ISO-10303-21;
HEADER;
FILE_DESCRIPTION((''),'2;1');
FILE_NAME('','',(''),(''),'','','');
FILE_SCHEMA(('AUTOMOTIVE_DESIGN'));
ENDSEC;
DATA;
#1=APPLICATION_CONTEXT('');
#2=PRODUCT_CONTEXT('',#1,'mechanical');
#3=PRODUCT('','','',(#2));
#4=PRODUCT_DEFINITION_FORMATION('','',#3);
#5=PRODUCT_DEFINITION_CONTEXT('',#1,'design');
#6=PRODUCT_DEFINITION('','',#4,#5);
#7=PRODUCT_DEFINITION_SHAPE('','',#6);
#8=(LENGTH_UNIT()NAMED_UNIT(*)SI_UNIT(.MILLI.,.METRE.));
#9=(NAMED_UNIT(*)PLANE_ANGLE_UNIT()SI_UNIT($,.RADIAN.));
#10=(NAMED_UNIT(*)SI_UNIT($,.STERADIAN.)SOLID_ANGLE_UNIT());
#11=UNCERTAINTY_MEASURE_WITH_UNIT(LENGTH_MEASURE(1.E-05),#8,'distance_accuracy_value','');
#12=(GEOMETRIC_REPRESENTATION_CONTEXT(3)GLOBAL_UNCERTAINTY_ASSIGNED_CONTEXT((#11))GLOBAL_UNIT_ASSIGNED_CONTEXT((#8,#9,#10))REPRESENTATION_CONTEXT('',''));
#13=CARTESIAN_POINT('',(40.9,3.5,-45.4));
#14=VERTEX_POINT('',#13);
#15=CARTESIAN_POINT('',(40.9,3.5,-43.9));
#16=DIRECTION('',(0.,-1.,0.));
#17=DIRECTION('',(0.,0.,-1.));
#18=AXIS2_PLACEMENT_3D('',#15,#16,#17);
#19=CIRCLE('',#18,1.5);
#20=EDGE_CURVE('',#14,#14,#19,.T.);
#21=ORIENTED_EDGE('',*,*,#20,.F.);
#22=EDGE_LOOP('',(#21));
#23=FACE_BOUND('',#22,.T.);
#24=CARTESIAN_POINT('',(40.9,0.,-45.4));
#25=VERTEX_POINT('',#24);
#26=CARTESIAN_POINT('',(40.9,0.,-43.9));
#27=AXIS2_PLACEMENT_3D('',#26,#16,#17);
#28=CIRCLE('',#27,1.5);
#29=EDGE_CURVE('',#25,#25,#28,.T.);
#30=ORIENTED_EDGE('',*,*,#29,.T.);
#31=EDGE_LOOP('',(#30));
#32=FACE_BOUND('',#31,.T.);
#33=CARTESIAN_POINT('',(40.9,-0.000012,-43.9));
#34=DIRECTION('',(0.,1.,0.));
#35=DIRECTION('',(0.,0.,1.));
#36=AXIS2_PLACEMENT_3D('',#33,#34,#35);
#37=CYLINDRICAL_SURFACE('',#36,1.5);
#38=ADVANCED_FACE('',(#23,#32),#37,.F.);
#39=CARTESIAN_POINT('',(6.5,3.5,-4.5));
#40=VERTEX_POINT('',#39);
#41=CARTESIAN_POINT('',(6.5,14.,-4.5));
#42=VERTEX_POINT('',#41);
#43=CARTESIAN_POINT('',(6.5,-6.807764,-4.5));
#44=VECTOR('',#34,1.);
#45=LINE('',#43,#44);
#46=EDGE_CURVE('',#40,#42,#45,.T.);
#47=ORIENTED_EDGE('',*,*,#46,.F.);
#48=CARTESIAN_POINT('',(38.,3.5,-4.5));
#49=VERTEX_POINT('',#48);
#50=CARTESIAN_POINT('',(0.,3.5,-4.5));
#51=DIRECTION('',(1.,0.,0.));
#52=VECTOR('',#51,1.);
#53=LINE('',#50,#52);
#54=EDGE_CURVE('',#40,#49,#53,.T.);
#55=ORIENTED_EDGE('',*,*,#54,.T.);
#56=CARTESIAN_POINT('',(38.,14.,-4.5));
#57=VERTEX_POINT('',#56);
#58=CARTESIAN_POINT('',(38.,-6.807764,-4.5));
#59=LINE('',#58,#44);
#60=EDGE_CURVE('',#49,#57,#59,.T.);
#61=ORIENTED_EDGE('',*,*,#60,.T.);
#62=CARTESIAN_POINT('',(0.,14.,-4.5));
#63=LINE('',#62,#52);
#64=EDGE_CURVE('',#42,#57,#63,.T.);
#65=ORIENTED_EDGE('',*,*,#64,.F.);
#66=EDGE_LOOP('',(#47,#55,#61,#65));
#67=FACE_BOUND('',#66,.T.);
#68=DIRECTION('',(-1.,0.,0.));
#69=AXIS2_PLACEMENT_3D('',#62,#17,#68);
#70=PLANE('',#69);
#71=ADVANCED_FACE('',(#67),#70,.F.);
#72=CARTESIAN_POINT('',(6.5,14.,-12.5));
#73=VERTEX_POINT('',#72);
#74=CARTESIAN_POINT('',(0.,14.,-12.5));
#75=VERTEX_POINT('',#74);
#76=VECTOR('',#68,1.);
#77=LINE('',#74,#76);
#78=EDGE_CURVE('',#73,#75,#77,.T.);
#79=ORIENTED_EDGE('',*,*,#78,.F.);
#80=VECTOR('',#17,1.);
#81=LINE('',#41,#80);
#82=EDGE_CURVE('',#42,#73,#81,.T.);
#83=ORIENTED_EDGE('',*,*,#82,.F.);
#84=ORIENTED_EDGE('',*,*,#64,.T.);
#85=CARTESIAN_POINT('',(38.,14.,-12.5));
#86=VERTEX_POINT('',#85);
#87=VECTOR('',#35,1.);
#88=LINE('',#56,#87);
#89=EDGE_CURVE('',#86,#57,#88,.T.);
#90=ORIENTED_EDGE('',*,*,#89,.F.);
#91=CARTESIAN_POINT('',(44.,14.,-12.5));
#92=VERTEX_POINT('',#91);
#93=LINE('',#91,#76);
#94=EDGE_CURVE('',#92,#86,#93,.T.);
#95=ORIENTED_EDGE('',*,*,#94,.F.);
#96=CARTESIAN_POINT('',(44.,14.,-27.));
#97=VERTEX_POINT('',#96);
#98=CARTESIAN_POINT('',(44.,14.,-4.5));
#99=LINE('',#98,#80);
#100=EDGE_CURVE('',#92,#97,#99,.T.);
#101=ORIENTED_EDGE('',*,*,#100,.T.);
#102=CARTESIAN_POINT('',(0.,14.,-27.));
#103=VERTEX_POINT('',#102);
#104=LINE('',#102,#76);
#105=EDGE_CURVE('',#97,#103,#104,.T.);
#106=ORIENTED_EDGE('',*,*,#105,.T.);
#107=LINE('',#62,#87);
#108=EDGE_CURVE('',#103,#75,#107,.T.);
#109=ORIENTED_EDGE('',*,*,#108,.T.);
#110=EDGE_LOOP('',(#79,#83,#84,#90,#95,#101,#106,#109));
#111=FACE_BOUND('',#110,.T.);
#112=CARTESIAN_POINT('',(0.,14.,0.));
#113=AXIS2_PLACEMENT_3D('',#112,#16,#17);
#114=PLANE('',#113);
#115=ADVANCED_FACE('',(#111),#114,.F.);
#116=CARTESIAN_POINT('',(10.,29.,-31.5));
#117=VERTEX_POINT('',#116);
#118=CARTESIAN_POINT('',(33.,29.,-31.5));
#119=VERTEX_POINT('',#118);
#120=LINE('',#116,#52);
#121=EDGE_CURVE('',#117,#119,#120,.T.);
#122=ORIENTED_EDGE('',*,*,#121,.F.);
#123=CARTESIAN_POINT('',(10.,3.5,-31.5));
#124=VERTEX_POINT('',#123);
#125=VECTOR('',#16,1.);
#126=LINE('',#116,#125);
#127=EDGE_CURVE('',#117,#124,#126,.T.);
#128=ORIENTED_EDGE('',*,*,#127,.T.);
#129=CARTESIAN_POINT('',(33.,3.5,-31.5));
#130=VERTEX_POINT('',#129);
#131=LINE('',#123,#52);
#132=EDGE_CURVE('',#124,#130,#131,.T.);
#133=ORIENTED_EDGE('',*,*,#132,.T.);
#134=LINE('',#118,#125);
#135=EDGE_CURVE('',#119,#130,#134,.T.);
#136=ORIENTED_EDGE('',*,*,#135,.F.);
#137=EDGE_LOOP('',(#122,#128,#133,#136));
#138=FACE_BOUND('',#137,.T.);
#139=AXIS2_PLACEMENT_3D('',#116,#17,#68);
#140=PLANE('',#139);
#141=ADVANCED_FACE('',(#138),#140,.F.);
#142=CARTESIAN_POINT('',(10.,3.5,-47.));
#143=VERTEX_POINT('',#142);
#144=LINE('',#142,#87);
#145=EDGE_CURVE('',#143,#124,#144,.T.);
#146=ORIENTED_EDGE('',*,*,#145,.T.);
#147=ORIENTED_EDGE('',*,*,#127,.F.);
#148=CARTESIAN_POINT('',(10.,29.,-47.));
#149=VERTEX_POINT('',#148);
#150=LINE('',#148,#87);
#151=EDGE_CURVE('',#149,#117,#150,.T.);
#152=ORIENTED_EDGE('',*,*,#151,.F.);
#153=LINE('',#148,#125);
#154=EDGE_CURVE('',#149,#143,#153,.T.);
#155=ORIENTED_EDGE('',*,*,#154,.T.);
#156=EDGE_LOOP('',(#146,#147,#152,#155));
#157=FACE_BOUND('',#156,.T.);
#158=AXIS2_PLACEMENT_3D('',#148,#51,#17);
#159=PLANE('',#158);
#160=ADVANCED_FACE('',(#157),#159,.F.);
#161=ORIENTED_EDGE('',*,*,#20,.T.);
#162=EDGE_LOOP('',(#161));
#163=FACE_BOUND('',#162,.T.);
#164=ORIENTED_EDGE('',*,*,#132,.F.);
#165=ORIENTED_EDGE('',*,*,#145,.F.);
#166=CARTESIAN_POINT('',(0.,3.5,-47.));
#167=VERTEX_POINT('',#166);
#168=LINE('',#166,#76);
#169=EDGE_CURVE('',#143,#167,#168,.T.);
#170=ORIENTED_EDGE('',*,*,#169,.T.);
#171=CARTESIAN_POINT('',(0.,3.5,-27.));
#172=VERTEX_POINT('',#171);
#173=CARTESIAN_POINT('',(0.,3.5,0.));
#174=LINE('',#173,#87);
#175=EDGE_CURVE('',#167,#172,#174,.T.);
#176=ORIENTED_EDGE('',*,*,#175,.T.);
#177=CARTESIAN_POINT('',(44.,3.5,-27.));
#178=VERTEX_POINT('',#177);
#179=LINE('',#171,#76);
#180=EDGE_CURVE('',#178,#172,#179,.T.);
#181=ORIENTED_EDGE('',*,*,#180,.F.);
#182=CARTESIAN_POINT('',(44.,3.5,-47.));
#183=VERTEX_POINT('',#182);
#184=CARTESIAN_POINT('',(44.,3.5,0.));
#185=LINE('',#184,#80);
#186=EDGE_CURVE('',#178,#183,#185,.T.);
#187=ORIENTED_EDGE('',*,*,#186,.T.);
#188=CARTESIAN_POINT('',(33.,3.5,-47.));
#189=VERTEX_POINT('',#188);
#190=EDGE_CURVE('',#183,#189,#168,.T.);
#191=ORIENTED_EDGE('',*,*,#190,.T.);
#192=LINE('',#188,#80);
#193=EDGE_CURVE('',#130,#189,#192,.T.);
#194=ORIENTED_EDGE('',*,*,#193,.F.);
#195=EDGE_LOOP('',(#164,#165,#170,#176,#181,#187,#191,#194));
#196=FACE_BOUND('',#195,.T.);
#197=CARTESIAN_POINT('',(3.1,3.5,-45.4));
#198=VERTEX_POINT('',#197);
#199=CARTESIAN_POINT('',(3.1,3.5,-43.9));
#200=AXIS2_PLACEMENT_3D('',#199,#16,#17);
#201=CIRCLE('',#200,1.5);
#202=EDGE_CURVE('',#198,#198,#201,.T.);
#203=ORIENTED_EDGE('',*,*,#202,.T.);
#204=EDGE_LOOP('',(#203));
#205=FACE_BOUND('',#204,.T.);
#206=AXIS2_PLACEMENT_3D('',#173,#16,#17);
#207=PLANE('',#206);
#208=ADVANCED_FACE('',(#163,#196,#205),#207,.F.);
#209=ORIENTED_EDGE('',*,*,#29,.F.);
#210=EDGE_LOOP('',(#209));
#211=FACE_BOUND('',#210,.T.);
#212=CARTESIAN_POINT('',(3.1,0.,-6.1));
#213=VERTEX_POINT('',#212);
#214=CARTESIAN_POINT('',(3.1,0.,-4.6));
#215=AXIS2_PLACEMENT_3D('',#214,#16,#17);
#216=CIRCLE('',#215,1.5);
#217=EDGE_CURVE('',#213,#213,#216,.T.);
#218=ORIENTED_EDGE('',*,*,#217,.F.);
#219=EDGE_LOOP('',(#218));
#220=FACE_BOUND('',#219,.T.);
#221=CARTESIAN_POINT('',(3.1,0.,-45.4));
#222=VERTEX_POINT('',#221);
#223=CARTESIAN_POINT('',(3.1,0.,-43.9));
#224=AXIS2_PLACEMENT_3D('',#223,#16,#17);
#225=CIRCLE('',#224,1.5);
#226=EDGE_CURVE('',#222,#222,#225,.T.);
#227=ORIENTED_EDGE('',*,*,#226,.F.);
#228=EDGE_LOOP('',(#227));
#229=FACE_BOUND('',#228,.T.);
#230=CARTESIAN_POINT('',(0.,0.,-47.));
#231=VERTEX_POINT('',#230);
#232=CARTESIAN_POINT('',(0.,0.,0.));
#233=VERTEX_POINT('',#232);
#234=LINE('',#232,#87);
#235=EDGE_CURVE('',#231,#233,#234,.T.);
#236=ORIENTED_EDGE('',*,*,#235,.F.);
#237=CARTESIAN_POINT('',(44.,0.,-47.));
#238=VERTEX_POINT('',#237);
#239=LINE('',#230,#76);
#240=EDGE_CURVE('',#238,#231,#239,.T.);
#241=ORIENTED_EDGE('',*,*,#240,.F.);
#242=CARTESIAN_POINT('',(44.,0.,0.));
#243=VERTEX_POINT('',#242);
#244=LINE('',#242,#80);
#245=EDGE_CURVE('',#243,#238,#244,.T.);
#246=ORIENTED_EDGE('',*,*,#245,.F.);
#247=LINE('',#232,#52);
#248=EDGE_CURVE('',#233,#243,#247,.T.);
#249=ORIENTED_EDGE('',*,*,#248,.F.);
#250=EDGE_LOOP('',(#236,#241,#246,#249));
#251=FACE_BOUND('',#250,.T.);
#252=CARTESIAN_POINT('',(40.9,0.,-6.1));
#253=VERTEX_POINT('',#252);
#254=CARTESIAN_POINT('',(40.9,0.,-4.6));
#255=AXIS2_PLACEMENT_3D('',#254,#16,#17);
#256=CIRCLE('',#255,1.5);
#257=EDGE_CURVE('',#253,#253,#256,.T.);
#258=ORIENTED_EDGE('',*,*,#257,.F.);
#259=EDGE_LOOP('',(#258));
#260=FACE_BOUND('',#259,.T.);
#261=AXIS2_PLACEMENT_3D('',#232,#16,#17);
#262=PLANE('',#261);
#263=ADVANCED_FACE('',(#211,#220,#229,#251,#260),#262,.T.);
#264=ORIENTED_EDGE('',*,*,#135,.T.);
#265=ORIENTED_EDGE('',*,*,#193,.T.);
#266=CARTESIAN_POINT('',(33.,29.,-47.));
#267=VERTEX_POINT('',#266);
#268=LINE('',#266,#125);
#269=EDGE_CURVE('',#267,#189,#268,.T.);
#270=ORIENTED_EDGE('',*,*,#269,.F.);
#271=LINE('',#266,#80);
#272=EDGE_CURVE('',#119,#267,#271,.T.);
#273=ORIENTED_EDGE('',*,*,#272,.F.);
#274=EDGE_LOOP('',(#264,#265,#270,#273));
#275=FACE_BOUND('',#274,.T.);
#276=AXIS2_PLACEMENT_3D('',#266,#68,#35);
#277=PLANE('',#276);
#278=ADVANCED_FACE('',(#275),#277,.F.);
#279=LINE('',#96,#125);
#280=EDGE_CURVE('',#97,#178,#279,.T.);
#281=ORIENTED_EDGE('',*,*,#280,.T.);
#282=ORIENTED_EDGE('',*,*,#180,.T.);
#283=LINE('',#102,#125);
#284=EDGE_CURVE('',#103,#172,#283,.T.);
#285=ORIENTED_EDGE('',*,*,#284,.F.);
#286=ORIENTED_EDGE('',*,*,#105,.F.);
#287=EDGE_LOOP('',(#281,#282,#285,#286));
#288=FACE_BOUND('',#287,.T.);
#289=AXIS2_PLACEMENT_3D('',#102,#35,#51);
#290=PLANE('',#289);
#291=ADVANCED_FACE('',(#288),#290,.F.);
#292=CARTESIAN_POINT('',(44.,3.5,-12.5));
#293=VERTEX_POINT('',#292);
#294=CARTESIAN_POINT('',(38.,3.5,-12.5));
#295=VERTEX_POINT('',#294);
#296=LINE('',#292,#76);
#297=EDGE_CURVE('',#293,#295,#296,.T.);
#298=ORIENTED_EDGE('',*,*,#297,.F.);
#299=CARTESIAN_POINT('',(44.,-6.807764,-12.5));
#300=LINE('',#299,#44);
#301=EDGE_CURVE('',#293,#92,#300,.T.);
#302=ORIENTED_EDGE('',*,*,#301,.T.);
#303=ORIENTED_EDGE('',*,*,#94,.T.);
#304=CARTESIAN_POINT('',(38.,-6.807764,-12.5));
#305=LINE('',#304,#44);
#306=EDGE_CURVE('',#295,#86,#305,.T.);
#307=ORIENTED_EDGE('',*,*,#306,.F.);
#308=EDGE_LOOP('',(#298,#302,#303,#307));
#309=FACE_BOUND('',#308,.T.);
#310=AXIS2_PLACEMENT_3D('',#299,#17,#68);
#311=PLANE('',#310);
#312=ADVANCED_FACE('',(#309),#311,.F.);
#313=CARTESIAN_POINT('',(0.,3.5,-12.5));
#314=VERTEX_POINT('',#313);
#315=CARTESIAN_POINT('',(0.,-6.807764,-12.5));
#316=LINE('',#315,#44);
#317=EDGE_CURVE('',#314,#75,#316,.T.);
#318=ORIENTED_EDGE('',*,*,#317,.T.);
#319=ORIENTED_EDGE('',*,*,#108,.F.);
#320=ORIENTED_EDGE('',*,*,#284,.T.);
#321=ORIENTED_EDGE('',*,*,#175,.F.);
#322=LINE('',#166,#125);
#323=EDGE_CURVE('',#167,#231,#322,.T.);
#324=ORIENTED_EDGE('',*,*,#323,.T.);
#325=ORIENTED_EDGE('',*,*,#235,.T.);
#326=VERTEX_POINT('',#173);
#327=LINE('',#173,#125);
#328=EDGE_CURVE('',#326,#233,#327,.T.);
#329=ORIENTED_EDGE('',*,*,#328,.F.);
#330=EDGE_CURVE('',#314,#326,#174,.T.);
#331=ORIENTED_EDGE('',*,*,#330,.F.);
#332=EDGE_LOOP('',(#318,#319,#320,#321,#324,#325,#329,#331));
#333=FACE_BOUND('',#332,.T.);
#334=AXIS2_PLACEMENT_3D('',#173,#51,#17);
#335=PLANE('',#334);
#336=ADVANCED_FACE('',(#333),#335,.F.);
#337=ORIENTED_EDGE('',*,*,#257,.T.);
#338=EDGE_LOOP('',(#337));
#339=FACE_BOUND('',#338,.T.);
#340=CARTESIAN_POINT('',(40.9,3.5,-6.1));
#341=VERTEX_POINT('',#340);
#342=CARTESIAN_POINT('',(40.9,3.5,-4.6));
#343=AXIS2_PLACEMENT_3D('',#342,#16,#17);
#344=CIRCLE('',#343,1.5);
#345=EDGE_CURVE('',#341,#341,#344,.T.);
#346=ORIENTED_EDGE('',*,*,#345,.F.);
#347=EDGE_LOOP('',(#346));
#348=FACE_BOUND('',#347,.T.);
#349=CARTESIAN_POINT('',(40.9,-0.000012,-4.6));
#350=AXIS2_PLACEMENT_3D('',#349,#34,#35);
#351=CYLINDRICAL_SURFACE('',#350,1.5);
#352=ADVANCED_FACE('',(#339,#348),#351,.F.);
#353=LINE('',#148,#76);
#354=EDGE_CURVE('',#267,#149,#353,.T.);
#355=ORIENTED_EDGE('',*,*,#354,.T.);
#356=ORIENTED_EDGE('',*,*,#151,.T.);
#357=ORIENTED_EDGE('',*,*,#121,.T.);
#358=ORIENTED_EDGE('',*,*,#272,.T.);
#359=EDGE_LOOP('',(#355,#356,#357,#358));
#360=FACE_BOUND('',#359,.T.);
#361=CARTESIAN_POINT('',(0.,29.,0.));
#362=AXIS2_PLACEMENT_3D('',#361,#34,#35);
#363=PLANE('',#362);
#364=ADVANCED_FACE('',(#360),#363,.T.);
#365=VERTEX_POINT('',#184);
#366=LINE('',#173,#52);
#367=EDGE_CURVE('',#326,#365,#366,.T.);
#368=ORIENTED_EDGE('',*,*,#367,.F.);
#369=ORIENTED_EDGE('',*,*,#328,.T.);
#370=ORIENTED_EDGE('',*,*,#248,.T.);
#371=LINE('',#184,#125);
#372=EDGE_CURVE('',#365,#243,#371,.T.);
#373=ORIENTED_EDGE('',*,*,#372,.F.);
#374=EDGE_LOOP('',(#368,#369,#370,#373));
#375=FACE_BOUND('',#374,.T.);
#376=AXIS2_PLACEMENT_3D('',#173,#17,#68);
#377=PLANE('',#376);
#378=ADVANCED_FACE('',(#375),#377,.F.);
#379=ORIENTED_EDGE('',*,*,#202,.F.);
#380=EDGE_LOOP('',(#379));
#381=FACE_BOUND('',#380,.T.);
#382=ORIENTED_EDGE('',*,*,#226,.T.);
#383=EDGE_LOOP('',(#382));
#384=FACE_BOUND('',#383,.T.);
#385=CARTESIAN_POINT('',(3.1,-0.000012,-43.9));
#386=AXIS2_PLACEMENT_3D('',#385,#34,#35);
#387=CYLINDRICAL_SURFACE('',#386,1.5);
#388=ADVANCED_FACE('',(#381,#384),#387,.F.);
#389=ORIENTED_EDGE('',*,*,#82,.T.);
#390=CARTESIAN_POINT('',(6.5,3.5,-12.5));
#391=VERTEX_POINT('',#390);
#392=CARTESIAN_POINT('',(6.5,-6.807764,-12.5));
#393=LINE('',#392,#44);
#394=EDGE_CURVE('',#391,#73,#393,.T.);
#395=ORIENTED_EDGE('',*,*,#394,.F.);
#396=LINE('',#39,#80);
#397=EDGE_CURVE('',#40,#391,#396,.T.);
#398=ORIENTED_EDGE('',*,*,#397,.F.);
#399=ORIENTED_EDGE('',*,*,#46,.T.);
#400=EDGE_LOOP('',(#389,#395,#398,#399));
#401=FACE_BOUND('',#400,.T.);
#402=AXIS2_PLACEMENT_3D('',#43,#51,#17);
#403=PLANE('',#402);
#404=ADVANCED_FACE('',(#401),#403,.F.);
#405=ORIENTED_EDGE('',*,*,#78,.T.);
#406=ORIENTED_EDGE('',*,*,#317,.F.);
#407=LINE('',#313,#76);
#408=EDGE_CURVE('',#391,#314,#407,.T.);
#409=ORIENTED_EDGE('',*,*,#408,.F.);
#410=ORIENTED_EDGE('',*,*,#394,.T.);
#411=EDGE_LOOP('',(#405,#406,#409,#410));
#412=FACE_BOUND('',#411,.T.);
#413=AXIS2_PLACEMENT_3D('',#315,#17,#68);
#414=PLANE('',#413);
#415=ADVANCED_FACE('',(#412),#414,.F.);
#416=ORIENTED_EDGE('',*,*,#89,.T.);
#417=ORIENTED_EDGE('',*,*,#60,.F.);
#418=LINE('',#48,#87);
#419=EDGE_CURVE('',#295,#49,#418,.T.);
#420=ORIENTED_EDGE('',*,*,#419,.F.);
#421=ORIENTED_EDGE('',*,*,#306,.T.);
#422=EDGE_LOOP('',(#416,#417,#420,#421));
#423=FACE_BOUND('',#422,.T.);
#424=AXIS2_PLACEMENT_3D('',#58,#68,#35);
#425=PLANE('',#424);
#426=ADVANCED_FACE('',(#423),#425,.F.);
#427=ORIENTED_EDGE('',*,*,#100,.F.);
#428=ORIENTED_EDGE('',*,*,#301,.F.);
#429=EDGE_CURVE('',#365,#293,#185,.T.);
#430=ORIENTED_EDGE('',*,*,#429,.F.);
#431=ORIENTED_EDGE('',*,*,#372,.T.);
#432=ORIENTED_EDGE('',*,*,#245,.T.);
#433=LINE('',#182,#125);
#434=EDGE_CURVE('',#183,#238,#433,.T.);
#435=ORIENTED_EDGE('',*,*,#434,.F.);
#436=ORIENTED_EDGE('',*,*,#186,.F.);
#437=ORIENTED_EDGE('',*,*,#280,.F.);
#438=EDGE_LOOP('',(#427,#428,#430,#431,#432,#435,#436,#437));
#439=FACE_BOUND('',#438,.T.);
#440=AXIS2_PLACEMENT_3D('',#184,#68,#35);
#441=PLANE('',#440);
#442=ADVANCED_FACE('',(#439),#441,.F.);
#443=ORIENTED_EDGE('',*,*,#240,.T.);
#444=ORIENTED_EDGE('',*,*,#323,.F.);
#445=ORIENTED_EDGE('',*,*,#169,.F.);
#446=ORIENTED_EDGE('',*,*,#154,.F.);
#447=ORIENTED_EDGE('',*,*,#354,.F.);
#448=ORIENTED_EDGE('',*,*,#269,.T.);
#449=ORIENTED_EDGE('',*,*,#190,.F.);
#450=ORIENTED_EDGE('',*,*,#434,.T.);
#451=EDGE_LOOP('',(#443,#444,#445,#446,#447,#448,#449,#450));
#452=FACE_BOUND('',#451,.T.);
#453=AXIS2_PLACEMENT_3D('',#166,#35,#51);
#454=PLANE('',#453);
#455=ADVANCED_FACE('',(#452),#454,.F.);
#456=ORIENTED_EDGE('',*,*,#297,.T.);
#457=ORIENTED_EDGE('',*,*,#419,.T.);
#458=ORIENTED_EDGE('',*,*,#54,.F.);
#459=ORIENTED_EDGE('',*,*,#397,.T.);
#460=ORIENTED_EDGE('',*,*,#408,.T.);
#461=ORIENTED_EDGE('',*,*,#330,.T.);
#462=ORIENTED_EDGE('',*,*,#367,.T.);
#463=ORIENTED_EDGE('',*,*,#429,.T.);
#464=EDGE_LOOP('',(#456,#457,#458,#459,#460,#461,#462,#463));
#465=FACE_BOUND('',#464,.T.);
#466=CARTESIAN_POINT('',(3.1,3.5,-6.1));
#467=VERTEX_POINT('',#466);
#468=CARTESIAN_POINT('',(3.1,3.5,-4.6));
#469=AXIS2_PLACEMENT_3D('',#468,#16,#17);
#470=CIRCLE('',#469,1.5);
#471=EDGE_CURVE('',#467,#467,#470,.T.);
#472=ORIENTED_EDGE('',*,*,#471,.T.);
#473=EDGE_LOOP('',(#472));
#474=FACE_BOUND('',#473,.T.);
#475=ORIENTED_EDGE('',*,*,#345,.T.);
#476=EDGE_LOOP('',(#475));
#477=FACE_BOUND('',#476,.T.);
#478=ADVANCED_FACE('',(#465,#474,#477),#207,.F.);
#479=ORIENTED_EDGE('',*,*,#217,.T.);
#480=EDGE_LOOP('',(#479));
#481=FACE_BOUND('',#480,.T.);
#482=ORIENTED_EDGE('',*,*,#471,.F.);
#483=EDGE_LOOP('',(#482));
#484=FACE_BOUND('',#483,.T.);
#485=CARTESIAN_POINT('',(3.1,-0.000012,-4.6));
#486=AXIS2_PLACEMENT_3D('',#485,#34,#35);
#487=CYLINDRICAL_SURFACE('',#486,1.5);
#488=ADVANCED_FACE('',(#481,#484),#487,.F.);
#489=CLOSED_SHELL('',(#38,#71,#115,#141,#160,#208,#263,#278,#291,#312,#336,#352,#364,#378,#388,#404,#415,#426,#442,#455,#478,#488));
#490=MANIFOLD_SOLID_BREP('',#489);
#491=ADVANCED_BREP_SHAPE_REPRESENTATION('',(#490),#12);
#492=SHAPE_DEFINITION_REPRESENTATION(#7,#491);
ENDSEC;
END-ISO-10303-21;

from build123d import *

# Parameters (mm, degrees)
SKETCH2_W               = 44
SKETCH2_H               = 47
BOSS_EXTRUDE1_DEPTH     = 3.5
SKETCH3_W               = 44
SKETCH3_H               = 22.5
BOSS_EXTRUDE2_DEPTH     = 10.5
SKETCH4_W               = 23
SKETCH4_H               = 15.5
BOSS_EXTRUDE3_DEPTH     = 25.5
SKETCH5_W               = 6.5
SKETCH5_H               = 8
SKETCH5_W_2             = 6
CUT_EXTRUDE1_DEPTH      = 10.5
SKETCH6_R               = 1.5
CUT_EXTRUDE3_DEPTH      = 30
CUT_EXTRUDE3_DEPTH_BACK = 1


with BuildPart() as part:
    # Sketch2 → Boss-Extrude1 (new body)
    with BuildSketch(Plane(origin=(0, 0, 0), x_dir=(1, 0, 0), z_dir=(0, 1, 0))):
        with Locations((22, 23.5)):
            Rectangle(SKETCH2_W, SKETCH2_H)
    extrude(amount=BOSS_EXTRUDE1_DEPTH)

    # Sketch3 → Boss-Extrude2 (add)
    with BuildSketch(Plane(origin=(0, 3.5, 0), x_dir=(1, 0, 0), z_dir=(0, 1, 0))):
        with Locations((22, 15.75)):
            Rectangle(SKETCH3_W, SKETCH3_H)
    extrude(amount=BOSS_EXTRUDE2_DEPTH)

    # Sketch4 → Boss-Extrude3 (add)
    with BuildSketch(Plane(origin=(0, 3.5, 0), x_dir=(1, 0, 0), z_dir=(0, 1, 0))):
        with Locations((21.5, 39.25)):
            Rectangle(SKETCH4_W, SKETCH4_H)
    extrude(amount=BOSS_EXTRUDE3_DEPTH)

    # Sketch5 → Cut-Extrude1 (cut)
    with BuildSketch(Plane(origin=(0, 14, 0), x_dir=(1, 0, 0), z_dir=(0, 1, 0))):
        with Locations((3.25, 8.5)):
            Rectangle(SKETCH5_W, SKETCH5_H)
        with Locations((41, 8.5)):
            Rectangle(SKETCH5_W_2, SKETCH5_H)
    extrude(amount=-CUT_EXTRUDE1_DEPTH, mode=Mode.SUBTRACT)

    # Sketch6 → Cut-Extrude3 (cut, two sides)
    with BuildSketch(Plane(origin=(0, 0, 0), x_dir=(1, 0, 0), z_dir=(0, 1, 0))) as cut_extrude3_sk:
        with Locations((3.1, 43.9)):
            Circle(SKETCH6_R)
        with Locations((40.9, 43.9)):
            Circle(SKETCH6_R)
        with Locations((40.9, 4.6)):
            Circle(SKETCH6_R)
        with Locations((3.1, 4.6)):
            Circle(SKETCH6_R)
    extrude(amount=CUT_EXTRUDE3_DEPTH, mode=Mode.SUBTRACT)
    extrude(cut_extrude3_sk.sketch, amount=-CUT_EXTRUDE3_DEPTH_BACK, mode=Mode.SUBTRACT)


solid = part.part
